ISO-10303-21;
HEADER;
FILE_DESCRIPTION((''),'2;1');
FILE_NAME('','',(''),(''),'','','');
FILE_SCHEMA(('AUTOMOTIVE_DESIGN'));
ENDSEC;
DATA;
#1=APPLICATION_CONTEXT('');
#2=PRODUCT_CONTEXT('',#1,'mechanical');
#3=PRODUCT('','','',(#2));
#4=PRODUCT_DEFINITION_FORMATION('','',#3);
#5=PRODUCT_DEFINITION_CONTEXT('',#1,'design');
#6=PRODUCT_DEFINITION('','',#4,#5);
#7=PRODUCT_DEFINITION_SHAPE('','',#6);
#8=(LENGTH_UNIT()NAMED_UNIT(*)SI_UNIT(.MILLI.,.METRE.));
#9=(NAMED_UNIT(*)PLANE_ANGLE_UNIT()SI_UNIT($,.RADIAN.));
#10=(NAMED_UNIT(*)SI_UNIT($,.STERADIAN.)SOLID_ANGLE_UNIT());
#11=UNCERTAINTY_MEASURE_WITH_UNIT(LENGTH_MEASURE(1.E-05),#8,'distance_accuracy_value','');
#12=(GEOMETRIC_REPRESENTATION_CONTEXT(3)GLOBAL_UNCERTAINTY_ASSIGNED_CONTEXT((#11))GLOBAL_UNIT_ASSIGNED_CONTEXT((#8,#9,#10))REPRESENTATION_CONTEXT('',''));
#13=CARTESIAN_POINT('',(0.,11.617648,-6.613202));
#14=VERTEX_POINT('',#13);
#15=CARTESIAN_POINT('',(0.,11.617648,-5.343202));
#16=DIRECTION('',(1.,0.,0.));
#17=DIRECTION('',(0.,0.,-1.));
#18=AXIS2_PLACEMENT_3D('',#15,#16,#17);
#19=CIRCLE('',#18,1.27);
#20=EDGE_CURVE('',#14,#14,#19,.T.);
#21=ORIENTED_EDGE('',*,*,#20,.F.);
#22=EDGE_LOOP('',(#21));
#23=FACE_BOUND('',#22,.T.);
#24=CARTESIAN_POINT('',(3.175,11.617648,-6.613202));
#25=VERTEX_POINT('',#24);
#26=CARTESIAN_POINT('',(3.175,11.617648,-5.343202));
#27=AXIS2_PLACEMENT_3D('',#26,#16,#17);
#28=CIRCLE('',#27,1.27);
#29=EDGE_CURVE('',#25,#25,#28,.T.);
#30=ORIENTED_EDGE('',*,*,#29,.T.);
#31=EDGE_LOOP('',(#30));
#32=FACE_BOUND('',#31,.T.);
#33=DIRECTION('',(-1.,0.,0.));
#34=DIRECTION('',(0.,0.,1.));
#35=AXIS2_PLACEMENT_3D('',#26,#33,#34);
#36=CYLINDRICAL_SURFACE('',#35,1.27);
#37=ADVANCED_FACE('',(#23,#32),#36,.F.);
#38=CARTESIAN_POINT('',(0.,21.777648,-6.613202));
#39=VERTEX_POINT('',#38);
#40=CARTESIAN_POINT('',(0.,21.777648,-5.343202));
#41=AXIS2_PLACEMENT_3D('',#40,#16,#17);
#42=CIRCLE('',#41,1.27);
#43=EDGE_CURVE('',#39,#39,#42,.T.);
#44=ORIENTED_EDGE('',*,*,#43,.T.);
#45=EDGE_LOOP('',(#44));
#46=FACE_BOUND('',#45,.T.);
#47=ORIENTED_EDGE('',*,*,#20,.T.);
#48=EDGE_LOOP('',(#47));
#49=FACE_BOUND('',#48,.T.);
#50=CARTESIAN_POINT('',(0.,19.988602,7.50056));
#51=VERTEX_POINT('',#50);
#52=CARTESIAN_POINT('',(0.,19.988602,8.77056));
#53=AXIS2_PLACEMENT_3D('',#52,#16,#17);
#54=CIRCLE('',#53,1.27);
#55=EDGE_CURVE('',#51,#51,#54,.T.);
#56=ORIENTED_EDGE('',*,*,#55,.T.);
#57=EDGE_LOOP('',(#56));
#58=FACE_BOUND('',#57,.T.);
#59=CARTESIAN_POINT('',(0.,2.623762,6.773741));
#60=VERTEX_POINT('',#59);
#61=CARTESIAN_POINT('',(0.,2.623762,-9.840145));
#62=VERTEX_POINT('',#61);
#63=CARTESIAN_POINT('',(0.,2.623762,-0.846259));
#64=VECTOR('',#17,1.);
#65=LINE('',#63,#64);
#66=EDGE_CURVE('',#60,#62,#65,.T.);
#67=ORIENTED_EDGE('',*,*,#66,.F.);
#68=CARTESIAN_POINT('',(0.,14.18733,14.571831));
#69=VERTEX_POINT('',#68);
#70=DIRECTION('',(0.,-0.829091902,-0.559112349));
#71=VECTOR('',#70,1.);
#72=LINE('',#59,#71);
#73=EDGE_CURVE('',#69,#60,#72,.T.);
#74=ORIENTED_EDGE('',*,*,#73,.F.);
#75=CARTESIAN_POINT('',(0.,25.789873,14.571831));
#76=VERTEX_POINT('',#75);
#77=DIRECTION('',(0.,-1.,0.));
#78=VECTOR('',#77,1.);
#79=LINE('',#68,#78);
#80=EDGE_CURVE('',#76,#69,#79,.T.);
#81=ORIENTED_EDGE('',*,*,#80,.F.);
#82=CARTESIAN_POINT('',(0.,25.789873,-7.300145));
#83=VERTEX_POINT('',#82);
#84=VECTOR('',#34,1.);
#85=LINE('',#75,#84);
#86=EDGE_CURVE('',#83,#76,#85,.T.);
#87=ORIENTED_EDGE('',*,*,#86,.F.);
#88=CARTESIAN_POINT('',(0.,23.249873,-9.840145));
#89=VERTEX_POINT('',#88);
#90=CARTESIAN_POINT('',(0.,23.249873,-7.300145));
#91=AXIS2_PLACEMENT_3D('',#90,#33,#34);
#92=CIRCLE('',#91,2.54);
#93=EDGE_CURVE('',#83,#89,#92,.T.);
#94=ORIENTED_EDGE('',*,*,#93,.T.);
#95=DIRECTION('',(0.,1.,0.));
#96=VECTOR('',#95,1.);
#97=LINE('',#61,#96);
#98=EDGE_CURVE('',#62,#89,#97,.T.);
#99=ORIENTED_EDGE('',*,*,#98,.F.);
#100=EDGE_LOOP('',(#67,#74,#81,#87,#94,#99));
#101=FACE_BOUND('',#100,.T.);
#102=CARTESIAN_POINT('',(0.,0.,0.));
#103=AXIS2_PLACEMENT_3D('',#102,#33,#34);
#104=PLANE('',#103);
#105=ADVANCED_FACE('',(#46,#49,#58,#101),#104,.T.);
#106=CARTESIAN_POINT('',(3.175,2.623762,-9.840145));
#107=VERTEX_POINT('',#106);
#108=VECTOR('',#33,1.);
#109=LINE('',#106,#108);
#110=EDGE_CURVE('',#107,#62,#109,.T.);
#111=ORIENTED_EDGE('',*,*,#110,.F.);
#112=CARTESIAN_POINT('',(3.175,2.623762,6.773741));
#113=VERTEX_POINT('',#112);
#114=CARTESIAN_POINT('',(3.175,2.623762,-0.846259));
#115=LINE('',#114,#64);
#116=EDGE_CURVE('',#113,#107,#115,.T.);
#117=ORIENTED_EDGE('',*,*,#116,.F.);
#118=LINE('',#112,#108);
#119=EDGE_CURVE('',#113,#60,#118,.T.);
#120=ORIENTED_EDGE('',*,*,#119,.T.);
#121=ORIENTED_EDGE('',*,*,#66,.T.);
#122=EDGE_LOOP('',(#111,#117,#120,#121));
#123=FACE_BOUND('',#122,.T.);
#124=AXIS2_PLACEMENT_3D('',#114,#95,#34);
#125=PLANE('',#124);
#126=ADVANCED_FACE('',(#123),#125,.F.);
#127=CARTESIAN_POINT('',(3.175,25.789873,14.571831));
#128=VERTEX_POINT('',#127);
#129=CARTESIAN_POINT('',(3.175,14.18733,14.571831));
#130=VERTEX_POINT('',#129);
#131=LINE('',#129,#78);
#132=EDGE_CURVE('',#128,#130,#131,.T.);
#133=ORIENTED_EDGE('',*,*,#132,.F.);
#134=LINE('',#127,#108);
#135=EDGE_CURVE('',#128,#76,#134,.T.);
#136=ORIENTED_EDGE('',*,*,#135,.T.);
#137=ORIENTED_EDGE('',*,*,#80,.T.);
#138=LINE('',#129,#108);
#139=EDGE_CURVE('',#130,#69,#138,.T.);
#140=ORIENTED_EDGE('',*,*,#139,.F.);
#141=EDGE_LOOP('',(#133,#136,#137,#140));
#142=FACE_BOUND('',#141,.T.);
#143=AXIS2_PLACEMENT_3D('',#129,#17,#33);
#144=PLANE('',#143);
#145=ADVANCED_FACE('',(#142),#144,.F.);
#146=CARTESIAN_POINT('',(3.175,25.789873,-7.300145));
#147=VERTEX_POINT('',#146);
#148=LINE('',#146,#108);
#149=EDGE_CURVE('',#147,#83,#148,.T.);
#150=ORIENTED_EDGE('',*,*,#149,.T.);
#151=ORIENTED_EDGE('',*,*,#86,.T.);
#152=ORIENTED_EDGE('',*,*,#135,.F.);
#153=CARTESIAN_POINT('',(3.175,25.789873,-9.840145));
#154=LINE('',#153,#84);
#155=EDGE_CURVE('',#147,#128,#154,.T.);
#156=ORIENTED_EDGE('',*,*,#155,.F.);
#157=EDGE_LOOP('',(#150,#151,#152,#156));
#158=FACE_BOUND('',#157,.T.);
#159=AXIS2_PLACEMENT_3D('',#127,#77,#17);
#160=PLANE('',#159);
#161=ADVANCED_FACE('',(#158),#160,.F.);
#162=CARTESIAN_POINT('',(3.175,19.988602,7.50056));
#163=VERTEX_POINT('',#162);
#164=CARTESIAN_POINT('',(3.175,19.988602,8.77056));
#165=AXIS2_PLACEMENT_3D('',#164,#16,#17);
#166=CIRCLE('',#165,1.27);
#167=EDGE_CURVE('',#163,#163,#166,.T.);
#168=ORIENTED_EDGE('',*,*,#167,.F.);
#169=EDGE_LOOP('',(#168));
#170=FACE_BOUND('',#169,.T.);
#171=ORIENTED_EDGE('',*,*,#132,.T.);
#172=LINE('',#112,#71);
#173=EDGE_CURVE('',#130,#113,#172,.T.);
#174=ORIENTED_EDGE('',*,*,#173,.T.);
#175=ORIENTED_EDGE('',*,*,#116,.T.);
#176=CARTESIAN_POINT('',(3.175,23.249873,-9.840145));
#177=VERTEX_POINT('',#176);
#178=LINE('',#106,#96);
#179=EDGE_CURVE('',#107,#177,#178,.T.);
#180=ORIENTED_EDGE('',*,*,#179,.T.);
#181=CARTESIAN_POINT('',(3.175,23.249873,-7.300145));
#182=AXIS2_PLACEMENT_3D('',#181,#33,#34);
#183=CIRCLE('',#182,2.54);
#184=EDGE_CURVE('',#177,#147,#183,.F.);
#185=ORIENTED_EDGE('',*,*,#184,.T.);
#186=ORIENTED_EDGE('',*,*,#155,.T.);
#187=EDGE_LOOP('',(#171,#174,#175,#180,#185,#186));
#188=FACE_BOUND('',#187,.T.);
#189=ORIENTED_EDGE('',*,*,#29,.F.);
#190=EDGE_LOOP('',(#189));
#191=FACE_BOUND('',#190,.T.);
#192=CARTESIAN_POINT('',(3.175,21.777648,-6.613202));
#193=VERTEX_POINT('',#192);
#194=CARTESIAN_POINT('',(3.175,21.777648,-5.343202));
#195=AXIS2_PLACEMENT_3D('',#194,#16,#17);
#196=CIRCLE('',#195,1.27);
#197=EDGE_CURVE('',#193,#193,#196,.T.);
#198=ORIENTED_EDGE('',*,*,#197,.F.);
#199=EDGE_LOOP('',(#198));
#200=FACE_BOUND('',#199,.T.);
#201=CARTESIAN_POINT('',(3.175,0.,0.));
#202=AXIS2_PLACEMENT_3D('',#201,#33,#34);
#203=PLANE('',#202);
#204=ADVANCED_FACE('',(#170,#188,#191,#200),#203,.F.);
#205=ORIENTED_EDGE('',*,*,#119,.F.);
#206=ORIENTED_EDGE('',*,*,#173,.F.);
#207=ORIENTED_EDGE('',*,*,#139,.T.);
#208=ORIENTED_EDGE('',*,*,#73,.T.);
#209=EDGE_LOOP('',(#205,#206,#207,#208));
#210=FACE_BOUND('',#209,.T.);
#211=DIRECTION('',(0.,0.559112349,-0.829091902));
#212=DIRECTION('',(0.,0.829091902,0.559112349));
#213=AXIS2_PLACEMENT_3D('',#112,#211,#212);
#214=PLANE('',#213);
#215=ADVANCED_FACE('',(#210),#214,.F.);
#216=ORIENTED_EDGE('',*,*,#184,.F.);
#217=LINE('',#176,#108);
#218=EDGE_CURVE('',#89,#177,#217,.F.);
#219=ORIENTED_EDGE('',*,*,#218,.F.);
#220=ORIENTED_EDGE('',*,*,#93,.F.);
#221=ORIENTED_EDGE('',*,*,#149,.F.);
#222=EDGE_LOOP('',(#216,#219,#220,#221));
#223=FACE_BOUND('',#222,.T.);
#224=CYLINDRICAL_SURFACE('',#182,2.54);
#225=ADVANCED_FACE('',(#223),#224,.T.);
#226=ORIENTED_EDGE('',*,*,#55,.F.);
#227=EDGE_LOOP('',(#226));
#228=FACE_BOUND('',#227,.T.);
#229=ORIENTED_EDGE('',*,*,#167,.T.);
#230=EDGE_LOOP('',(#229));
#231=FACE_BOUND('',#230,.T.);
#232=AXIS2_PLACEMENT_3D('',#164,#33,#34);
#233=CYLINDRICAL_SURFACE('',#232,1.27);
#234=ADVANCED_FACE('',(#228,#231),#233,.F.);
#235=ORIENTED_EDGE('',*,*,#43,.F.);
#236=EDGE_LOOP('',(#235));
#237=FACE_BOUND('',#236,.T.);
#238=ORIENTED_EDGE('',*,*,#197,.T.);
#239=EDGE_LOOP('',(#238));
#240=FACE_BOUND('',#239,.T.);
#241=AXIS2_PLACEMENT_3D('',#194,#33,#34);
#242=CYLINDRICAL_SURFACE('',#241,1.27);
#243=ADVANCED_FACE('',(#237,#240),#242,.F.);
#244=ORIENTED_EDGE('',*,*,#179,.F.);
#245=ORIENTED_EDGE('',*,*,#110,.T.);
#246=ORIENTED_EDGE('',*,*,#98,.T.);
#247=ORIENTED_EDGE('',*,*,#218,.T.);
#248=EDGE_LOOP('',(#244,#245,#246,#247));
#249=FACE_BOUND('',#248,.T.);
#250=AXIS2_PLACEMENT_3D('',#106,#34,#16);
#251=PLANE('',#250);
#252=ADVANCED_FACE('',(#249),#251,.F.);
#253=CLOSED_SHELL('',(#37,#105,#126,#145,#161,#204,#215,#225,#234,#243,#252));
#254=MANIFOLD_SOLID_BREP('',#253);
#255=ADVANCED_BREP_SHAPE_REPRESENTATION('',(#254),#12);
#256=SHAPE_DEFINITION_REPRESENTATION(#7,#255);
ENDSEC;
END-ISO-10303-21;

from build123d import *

# Parameters (mm, degrees)
SKETCH1_R           = 1.27
BOSS_EXTRUDE1_DEPTH = 3.175
FILLET3_R           = 2.54


with BuildPart() as part:
    # Sketch1 → Boss-Extrude1 (new body)
    with BuildSketch(Plane(origin=(0, 0, 0), x_dir=(0, 0, -1), z_dir=(1, 0, 0))):
        Polygon((0.846258814, 2.623762197), (9.840144814, 2.623762197), (9.840144814, 25.789873149), (0.846258814, 25.789873149), (-14.571831472, 25.789873149), (-14.571831472, 14.187329911), (-6.773741186, 2.623762197), align=None)
        with Locations((5.343201814, 21.777648197)):
            Circle(SKETCH1_R, mode=Mode.SUBTRACT)
        with Locations((5.343201814, 11.617648197)):
            Circle(SKETCH1_R, mode=Mode.SUBTRACT)
        with Locations((-8.770559864, 19.98860153)):
            Circle(SKETCH1_R, mode=Mode.SUBTRACT)
    extrude(amount=BOSS_EXTRUDE1_DEPTH)

    # Fillet3
    fillet3_edges = [part.edges().sort_by_distance(p)[0] for p in [
        (1.5875, 25.789873149, -9.840144814),
    ]]
    fillet(fillet3_edges, radius=FILLET3_R)


solid = part.part
